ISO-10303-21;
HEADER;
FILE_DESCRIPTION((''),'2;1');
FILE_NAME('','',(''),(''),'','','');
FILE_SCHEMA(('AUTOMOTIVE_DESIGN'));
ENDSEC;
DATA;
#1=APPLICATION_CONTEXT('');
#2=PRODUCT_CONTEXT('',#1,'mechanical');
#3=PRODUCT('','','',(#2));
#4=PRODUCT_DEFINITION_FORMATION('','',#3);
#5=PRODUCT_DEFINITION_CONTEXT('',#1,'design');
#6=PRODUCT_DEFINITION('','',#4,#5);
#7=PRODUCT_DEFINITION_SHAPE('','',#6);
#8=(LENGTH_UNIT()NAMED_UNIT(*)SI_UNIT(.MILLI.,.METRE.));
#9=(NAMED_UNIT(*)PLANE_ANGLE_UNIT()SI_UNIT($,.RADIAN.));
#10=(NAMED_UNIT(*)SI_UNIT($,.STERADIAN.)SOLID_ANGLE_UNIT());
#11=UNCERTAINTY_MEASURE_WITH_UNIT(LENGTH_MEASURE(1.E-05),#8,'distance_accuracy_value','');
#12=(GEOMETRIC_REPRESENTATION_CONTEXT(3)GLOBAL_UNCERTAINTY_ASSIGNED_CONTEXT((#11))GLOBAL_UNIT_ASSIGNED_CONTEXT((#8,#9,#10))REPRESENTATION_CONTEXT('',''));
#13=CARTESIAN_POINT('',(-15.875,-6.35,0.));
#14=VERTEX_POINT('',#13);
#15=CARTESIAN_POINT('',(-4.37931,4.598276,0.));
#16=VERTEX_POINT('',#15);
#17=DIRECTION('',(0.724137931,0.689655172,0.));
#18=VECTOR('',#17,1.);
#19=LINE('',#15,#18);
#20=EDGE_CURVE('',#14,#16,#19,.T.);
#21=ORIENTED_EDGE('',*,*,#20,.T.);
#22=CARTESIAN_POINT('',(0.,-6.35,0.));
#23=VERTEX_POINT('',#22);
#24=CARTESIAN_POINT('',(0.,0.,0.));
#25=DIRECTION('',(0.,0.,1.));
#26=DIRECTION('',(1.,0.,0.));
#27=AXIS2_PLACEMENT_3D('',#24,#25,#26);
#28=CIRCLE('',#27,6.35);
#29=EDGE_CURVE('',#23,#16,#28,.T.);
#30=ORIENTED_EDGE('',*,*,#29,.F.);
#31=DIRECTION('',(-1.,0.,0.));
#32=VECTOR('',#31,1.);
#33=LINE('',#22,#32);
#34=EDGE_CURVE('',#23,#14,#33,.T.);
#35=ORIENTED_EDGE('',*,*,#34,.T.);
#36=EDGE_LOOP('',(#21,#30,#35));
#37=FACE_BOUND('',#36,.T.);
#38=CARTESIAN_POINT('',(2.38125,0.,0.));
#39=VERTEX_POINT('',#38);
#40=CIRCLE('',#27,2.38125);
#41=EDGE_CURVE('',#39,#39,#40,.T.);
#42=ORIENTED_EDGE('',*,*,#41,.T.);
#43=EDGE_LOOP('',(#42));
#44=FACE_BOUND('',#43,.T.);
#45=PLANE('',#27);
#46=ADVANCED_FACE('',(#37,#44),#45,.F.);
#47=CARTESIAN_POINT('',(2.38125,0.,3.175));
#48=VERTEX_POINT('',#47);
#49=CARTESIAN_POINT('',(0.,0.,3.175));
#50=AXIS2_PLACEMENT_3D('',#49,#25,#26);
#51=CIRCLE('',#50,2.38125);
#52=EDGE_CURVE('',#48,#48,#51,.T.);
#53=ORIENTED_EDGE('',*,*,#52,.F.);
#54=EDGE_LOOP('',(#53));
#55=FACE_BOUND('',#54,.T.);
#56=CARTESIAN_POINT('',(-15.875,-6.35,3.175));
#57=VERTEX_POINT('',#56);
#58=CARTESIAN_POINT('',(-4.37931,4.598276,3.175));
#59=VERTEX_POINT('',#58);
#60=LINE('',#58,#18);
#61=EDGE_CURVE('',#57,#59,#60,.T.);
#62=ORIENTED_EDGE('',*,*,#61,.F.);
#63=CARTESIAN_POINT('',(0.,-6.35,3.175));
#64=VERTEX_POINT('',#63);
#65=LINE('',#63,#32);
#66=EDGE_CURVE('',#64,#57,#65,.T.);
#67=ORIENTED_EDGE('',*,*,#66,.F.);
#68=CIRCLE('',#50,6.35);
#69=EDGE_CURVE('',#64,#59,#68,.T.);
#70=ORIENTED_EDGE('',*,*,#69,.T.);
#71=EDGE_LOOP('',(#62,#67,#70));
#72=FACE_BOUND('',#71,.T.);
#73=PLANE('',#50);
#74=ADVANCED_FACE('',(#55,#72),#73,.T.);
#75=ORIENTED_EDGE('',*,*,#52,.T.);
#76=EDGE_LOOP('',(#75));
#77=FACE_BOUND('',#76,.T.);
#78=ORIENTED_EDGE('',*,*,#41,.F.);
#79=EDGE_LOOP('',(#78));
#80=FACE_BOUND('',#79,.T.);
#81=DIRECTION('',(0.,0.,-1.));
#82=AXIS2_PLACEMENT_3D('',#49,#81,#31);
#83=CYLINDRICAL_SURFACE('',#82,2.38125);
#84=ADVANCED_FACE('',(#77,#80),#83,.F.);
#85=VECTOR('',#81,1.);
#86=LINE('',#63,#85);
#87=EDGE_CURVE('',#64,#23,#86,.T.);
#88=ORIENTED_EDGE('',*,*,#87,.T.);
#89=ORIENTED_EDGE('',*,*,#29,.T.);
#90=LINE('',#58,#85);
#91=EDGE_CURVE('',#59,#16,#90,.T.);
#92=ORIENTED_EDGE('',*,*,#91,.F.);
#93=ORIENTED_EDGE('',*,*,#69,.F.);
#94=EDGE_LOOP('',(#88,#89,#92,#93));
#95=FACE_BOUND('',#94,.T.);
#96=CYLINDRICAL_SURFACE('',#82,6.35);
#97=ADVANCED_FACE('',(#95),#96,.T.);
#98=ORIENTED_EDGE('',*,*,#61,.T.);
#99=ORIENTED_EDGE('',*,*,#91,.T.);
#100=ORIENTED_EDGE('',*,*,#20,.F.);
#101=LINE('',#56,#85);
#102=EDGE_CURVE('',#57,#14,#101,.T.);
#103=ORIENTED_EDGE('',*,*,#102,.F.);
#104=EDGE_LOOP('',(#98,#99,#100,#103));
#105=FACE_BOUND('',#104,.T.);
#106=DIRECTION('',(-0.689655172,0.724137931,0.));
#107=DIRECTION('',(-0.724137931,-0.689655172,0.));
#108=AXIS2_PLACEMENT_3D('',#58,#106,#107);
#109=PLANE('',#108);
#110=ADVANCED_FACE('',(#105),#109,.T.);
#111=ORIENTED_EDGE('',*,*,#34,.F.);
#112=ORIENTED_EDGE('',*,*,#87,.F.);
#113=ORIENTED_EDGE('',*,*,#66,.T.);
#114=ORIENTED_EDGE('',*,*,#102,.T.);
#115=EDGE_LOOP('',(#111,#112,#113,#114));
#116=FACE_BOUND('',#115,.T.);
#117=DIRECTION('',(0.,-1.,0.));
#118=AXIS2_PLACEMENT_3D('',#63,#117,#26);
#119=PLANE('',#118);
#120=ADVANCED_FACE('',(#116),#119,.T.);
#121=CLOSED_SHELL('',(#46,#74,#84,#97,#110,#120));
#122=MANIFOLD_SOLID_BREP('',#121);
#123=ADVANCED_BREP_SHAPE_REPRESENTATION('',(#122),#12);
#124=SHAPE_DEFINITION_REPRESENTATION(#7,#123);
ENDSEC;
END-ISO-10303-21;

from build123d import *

# Parameters (mm, degrees)
SKETCH1_R           = 6.35
SKETCH1_R_2         = 2.38125
BOSS_EXTRUDE1_DEPTH = 3.175


with BuildPart() as part:
    # Sketch1 → Boss-Extrude1 (new body)
    # profile 1 of 2: a face of its own
    with BuildSketch(Plane.XY):
        with BuildLine():
            Line((-15.875, -6.35), (0, -6.35))
            ThreePointArc((0, -6.35), (-5.895826987, -2.358330795), (-4.379310345, 4.598275862))
            Line((-4.379310345, 4.598275862), (-15.875, -6.35))
        make_face()
    # profile 2 of 2: a face of its own
    with BuildSketch(Plane.XY):
        Circle(SKETCH1_R)
        Circle(SKETCH1_R_2, mode=Mode.SUBTRACT)
    extrude(amount=BOSS_EXTRUDE1_DEPTH)


solid = part.part
